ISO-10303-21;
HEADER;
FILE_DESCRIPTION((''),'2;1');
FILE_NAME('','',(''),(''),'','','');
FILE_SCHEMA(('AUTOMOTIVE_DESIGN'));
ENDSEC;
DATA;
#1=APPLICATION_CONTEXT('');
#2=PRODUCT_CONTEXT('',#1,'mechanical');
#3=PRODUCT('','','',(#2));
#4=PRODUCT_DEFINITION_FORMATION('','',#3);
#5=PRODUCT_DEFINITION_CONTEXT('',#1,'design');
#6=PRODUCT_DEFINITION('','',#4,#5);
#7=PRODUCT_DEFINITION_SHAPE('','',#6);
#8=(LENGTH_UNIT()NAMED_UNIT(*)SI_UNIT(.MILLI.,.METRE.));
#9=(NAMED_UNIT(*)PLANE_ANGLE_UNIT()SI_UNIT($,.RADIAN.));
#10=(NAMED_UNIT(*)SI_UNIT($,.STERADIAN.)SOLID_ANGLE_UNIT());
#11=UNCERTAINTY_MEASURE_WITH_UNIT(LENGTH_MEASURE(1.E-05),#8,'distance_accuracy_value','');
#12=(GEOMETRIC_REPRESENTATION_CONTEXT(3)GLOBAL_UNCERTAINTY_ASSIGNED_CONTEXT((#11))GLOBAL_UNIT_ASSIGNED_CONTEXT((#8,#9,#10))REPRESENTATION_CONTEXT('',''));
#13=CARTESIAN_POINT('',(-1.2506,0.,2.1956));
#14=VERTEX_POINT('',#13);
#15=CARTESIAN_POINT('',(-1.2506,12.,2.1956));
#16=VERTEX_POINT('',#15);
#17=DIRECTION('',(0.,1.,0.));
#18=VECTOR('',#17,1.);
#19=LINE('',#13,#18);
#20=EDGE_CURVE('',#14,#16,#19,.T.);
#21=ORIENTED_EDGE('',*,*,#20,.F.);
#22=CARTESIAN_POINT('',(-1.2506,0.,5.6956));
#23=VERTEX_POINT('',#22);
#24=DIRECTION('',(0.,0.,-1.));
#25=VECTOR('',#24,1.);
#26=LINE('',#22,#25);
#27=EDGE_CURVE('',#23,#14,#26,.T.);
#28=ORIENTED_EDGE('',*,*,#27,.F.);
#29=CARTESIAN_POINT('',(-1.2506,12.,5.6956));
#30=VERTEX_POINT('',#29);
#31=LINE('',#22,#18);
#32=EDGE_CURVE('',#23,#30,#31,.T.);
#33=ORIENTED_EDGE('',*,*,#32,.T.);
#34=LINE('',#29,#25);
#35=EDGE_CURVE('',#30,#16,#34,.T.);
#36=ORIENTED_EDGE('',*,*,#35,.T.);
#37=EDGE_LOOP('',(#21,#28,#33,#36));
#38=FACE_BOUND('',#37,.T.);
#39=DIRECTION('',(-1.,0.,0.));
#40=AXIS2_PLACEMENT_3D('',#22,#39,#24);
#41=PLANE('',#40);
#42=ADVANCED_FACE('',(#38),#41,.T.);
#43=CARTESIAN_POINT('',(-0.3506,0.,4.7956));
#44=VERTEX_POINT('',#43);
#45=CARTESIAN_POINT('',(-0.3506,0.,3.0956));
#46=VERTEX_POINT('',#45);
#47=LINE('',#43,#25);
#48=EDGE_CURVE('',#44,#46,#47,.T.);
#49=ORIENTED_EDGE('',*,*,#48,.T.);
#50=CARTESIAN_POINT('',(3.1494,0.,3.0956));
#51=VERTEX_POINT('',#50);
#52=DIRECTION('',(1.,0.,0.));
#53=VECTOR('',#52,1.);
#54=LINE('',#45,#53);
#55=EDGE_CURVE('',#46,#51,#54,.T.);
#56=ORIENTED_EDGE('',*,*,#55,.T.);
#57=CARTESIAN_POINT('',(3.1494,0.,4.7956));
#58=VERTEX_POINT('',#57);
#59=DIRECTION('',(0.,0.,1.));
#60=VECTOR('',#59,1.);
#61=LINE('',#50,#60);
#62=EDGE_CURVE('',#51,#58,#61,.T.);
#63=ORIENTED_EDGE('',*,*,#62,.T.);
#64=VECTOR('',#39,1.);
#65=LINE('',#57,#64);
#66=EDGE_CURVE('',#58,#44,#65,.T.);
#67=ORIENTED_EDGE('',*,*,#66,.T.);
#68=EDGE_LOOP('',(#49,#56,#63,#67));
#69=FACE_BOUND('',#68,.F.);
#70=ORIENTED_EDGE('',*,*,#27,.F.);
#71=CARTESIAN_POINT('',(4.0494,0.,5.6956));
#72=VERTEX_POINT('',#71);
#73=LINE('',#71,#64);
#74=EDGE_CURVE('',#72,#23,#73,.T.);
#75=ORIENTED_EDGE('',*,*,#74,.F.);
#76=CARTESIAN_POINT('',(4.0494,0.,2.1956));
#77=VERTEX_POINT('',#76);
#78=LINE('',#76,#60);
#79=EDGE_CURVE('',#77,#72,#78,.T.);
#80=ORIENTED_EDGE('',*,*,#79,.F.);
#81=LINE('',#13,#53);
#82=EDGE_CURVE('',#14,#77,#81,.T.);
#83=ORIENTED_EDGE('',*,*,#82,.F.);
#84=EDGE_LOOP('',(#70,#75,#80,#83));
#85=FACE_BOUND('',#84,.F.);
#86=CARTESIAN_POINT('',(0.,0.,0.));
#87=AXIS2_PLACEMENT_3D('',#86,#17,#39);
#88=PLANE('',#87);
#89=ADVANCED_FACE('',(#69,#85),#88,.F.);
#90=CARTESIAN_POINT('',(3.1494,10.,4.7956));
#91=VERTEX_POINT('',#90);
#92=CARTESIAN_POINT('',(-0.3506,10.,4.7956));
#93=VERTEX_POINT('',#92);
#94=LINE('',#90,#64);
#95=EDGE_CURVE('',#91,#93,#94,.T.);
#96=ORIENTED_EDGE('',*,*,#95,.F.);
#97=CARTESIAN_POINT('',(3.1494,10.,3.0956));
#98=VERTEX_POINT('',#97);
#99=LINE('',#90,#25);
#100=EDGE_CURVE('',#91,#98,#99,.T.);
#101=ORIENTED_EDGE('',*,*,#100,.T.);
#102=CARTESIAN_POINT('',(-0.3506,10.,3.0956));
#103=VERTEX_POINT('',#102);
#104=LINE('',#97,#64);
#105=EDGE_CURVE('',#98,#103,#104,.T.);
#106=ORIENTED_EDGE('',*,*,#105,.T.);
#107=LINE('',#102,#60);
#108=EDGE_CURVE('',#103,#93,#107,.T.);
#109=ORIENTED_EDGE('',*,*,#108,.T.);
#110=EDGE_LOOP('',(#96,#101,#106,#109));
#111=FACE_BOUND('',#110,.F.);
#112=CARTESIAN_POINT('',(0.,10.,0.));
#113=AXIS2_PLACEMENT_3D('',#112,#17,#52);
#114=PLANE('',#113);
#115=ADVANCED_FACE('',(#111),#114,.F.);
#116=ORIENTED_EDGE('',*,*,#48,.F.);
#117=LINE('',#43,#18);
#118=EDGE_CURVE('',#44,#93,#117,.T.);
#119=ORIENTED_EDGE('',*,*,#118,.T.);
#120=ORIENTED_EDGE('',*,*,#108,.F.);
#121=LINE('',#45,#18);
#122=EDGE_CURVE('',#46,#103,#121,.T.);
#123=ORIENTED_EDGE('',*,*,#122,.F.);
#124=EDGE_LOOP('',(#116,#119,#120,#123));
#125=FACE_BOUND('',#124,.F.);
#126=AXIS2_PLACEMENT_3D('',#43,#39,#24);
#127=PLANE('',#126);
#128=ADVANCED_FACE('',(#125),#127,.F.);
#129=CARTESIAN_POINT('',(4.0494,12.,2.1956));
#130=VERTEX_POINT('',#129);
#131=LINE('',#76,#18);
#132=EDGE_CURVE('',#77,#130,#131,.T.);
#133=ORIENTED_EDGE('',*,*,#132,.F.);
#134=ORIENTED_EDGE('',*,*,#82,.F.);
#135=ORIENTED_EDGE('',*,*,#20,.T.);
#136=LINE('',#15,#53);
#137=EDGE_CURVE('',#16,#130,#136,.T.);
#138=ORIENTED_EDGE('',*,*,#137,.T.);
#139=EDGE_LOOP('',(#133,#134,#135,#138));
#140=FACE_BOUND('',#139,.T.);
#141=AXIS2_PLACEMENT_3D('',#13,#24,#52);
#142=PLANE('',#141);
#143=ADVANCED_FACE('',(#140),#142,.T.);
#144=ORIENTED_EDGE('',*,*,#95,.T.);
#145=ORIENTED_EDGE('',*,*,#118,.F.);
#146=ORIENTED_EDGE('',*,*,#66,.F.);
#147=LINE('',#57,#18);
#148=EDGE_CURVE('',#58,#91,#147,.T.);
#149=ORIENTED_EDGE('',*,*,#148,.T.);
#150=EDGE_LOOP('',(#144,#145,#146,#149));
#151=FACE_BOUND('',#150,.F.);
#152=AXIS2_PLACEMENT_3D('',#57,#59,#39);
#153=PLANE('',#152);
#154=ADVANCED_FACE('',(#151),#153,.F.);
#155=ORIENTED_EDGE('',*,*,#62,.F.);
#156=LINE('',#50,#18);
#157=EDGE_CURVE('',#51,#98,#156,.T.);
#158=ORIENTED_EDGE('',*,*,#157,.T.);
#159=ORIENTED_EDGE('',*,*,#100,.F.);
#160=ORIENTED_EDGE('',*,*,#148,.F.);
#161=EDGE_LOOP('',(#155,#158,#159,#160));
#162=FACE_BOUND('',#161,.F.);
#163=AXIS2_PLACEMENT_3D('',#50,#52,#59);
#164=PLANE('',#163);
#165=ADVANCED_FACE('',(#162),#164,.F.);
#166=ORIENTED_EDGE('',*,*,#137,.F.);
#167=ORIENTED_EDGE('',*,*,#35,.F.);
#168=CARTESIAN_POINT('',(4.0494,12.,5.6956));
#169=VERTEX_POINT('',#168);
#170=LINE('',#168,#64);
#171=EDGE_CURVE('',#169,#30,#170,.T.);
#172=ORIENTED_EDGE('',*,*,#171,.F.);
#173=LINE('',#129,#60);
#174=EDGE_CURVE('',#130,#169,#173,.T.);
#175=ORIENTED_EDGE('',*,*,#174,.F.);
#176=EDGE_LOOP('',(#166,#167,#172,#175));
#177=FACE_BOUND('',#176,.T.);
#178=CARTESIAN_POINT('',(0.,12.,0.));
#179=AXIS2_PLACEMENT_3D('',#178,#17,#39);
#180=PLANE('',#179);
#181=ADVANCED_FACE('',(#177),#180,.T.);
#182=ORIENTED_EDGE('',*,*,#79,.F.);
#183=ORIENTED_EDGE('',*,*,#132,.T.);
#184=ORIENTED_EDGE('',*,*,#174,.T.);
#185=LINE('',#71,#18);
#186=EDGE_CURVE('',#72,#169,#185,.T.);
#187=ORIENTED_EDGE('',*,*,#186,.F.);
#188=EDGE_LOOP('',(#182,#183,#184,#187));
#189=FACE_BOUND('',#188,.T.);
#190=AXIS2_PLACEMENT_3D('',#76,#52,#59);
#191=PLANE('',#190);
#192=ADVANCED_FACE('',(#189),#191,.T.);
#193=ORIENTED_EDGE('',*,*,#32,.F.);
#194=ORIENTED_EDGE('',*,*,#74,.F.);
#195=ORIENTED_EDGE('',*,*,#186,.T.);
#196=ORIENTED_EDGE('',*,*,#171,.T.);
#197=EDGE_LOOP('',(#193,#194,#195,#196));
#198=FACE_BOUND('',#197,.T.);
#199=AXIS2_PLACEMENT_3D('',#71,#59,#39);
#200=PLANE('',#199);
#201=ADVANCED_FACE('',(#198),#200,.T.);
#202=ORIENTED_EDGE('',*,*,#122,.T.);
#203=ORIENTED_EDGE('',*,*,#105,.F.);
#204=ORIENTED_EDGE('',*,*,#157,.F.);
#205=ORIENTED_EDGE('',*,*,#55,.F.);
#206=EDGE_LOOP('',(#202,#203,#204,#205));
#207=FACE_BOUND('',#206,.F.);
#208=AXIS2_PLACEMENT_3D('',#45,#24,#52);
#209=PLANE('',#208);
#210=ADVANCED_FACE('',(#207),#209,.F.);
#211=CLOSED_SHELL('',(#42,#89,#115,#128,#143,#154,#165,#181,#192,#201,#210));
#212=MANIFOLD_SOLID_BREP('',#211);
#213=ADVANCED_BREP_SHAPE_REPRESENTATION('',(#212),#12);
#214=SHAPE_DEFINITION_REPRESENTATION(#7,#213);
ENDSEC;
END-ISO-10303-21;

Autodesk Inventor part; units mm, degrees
ref_plane "YZ Plane" through (0, 0, 0) normal (1, 0, 0) x (0, 1, 0)
ref_plane "XZ Plane" through (0, 0, 0) normal (0, 1, 0) x (-1, 0, 0)
ref_plane "XY Plane" through (0, 0, 0) normal (0, 0, 1) x (1, 0, 0)
sketch "Esquisse1" plane through (0, 0, 0) normal (0, 1, 0) x (-1, 0, 0)
  line L0 (-3.1494, 4.7956) -> (0.3506, 4.7956)
  line L1 (0.3506, 4.7956) -> (0.3506, 3.0956)
  line L2 (0.3506, 3.0956) -> (-3.1494, 3.0956)
  line L3 (-3.1494, 3.0956) -> (-3.1494, 4.7956)
  line L4 (-4.0494, 5.6956) -> (1.2506, 5.6956)
  line L5 (1.2506, 5.6956) -> (1.2506, 2.1956)
  line L6 (1.2506, 2.1956) -> (-4.0494, 2.1956)
  line L7 (-4.0494, 2.1956) -> (-4.0494, 5.6956)
  point P0 (0, 0)
  dimension "d0" = 3.5
  dimension "d1" = 1.7
  dimension "d2" = 0.9
  dimension "d3" = 0.9
  dimension "d4" = 0.9
  dimension "d5" = 0.9
extrude "Extrusion1" add sketch "Esquisse1" along normal blind 12
sketch "Esquisse2" plane through (0, 12, 0) normal (0, 1, 0) x (1, 0, 0)
  line L0 (3.1494, -4.7956) -> (-0.3506, -4.7956) projected
  line L1 (-0.3506, -4.7956) -> (3.1494, -4.7956)
  line L2 (3.1494, -4.7956) -> (3.1494, -3.0956)
  line L3 (3.1494, -3.0956) -> (-0.3506, -3.0956)
  line L4 (-0.3506, -3.0956) -> (-0.3506, -4.7956)
  point P0 (0, 0)
extrude "Extrusion2" add sketch "Esquisse2" against normal blind 2
equation "\"d3\" = d2"
equation "\"d4\" = d2"
equation "\"d5\" = d2"
properties part number "SwitchOnOff"
